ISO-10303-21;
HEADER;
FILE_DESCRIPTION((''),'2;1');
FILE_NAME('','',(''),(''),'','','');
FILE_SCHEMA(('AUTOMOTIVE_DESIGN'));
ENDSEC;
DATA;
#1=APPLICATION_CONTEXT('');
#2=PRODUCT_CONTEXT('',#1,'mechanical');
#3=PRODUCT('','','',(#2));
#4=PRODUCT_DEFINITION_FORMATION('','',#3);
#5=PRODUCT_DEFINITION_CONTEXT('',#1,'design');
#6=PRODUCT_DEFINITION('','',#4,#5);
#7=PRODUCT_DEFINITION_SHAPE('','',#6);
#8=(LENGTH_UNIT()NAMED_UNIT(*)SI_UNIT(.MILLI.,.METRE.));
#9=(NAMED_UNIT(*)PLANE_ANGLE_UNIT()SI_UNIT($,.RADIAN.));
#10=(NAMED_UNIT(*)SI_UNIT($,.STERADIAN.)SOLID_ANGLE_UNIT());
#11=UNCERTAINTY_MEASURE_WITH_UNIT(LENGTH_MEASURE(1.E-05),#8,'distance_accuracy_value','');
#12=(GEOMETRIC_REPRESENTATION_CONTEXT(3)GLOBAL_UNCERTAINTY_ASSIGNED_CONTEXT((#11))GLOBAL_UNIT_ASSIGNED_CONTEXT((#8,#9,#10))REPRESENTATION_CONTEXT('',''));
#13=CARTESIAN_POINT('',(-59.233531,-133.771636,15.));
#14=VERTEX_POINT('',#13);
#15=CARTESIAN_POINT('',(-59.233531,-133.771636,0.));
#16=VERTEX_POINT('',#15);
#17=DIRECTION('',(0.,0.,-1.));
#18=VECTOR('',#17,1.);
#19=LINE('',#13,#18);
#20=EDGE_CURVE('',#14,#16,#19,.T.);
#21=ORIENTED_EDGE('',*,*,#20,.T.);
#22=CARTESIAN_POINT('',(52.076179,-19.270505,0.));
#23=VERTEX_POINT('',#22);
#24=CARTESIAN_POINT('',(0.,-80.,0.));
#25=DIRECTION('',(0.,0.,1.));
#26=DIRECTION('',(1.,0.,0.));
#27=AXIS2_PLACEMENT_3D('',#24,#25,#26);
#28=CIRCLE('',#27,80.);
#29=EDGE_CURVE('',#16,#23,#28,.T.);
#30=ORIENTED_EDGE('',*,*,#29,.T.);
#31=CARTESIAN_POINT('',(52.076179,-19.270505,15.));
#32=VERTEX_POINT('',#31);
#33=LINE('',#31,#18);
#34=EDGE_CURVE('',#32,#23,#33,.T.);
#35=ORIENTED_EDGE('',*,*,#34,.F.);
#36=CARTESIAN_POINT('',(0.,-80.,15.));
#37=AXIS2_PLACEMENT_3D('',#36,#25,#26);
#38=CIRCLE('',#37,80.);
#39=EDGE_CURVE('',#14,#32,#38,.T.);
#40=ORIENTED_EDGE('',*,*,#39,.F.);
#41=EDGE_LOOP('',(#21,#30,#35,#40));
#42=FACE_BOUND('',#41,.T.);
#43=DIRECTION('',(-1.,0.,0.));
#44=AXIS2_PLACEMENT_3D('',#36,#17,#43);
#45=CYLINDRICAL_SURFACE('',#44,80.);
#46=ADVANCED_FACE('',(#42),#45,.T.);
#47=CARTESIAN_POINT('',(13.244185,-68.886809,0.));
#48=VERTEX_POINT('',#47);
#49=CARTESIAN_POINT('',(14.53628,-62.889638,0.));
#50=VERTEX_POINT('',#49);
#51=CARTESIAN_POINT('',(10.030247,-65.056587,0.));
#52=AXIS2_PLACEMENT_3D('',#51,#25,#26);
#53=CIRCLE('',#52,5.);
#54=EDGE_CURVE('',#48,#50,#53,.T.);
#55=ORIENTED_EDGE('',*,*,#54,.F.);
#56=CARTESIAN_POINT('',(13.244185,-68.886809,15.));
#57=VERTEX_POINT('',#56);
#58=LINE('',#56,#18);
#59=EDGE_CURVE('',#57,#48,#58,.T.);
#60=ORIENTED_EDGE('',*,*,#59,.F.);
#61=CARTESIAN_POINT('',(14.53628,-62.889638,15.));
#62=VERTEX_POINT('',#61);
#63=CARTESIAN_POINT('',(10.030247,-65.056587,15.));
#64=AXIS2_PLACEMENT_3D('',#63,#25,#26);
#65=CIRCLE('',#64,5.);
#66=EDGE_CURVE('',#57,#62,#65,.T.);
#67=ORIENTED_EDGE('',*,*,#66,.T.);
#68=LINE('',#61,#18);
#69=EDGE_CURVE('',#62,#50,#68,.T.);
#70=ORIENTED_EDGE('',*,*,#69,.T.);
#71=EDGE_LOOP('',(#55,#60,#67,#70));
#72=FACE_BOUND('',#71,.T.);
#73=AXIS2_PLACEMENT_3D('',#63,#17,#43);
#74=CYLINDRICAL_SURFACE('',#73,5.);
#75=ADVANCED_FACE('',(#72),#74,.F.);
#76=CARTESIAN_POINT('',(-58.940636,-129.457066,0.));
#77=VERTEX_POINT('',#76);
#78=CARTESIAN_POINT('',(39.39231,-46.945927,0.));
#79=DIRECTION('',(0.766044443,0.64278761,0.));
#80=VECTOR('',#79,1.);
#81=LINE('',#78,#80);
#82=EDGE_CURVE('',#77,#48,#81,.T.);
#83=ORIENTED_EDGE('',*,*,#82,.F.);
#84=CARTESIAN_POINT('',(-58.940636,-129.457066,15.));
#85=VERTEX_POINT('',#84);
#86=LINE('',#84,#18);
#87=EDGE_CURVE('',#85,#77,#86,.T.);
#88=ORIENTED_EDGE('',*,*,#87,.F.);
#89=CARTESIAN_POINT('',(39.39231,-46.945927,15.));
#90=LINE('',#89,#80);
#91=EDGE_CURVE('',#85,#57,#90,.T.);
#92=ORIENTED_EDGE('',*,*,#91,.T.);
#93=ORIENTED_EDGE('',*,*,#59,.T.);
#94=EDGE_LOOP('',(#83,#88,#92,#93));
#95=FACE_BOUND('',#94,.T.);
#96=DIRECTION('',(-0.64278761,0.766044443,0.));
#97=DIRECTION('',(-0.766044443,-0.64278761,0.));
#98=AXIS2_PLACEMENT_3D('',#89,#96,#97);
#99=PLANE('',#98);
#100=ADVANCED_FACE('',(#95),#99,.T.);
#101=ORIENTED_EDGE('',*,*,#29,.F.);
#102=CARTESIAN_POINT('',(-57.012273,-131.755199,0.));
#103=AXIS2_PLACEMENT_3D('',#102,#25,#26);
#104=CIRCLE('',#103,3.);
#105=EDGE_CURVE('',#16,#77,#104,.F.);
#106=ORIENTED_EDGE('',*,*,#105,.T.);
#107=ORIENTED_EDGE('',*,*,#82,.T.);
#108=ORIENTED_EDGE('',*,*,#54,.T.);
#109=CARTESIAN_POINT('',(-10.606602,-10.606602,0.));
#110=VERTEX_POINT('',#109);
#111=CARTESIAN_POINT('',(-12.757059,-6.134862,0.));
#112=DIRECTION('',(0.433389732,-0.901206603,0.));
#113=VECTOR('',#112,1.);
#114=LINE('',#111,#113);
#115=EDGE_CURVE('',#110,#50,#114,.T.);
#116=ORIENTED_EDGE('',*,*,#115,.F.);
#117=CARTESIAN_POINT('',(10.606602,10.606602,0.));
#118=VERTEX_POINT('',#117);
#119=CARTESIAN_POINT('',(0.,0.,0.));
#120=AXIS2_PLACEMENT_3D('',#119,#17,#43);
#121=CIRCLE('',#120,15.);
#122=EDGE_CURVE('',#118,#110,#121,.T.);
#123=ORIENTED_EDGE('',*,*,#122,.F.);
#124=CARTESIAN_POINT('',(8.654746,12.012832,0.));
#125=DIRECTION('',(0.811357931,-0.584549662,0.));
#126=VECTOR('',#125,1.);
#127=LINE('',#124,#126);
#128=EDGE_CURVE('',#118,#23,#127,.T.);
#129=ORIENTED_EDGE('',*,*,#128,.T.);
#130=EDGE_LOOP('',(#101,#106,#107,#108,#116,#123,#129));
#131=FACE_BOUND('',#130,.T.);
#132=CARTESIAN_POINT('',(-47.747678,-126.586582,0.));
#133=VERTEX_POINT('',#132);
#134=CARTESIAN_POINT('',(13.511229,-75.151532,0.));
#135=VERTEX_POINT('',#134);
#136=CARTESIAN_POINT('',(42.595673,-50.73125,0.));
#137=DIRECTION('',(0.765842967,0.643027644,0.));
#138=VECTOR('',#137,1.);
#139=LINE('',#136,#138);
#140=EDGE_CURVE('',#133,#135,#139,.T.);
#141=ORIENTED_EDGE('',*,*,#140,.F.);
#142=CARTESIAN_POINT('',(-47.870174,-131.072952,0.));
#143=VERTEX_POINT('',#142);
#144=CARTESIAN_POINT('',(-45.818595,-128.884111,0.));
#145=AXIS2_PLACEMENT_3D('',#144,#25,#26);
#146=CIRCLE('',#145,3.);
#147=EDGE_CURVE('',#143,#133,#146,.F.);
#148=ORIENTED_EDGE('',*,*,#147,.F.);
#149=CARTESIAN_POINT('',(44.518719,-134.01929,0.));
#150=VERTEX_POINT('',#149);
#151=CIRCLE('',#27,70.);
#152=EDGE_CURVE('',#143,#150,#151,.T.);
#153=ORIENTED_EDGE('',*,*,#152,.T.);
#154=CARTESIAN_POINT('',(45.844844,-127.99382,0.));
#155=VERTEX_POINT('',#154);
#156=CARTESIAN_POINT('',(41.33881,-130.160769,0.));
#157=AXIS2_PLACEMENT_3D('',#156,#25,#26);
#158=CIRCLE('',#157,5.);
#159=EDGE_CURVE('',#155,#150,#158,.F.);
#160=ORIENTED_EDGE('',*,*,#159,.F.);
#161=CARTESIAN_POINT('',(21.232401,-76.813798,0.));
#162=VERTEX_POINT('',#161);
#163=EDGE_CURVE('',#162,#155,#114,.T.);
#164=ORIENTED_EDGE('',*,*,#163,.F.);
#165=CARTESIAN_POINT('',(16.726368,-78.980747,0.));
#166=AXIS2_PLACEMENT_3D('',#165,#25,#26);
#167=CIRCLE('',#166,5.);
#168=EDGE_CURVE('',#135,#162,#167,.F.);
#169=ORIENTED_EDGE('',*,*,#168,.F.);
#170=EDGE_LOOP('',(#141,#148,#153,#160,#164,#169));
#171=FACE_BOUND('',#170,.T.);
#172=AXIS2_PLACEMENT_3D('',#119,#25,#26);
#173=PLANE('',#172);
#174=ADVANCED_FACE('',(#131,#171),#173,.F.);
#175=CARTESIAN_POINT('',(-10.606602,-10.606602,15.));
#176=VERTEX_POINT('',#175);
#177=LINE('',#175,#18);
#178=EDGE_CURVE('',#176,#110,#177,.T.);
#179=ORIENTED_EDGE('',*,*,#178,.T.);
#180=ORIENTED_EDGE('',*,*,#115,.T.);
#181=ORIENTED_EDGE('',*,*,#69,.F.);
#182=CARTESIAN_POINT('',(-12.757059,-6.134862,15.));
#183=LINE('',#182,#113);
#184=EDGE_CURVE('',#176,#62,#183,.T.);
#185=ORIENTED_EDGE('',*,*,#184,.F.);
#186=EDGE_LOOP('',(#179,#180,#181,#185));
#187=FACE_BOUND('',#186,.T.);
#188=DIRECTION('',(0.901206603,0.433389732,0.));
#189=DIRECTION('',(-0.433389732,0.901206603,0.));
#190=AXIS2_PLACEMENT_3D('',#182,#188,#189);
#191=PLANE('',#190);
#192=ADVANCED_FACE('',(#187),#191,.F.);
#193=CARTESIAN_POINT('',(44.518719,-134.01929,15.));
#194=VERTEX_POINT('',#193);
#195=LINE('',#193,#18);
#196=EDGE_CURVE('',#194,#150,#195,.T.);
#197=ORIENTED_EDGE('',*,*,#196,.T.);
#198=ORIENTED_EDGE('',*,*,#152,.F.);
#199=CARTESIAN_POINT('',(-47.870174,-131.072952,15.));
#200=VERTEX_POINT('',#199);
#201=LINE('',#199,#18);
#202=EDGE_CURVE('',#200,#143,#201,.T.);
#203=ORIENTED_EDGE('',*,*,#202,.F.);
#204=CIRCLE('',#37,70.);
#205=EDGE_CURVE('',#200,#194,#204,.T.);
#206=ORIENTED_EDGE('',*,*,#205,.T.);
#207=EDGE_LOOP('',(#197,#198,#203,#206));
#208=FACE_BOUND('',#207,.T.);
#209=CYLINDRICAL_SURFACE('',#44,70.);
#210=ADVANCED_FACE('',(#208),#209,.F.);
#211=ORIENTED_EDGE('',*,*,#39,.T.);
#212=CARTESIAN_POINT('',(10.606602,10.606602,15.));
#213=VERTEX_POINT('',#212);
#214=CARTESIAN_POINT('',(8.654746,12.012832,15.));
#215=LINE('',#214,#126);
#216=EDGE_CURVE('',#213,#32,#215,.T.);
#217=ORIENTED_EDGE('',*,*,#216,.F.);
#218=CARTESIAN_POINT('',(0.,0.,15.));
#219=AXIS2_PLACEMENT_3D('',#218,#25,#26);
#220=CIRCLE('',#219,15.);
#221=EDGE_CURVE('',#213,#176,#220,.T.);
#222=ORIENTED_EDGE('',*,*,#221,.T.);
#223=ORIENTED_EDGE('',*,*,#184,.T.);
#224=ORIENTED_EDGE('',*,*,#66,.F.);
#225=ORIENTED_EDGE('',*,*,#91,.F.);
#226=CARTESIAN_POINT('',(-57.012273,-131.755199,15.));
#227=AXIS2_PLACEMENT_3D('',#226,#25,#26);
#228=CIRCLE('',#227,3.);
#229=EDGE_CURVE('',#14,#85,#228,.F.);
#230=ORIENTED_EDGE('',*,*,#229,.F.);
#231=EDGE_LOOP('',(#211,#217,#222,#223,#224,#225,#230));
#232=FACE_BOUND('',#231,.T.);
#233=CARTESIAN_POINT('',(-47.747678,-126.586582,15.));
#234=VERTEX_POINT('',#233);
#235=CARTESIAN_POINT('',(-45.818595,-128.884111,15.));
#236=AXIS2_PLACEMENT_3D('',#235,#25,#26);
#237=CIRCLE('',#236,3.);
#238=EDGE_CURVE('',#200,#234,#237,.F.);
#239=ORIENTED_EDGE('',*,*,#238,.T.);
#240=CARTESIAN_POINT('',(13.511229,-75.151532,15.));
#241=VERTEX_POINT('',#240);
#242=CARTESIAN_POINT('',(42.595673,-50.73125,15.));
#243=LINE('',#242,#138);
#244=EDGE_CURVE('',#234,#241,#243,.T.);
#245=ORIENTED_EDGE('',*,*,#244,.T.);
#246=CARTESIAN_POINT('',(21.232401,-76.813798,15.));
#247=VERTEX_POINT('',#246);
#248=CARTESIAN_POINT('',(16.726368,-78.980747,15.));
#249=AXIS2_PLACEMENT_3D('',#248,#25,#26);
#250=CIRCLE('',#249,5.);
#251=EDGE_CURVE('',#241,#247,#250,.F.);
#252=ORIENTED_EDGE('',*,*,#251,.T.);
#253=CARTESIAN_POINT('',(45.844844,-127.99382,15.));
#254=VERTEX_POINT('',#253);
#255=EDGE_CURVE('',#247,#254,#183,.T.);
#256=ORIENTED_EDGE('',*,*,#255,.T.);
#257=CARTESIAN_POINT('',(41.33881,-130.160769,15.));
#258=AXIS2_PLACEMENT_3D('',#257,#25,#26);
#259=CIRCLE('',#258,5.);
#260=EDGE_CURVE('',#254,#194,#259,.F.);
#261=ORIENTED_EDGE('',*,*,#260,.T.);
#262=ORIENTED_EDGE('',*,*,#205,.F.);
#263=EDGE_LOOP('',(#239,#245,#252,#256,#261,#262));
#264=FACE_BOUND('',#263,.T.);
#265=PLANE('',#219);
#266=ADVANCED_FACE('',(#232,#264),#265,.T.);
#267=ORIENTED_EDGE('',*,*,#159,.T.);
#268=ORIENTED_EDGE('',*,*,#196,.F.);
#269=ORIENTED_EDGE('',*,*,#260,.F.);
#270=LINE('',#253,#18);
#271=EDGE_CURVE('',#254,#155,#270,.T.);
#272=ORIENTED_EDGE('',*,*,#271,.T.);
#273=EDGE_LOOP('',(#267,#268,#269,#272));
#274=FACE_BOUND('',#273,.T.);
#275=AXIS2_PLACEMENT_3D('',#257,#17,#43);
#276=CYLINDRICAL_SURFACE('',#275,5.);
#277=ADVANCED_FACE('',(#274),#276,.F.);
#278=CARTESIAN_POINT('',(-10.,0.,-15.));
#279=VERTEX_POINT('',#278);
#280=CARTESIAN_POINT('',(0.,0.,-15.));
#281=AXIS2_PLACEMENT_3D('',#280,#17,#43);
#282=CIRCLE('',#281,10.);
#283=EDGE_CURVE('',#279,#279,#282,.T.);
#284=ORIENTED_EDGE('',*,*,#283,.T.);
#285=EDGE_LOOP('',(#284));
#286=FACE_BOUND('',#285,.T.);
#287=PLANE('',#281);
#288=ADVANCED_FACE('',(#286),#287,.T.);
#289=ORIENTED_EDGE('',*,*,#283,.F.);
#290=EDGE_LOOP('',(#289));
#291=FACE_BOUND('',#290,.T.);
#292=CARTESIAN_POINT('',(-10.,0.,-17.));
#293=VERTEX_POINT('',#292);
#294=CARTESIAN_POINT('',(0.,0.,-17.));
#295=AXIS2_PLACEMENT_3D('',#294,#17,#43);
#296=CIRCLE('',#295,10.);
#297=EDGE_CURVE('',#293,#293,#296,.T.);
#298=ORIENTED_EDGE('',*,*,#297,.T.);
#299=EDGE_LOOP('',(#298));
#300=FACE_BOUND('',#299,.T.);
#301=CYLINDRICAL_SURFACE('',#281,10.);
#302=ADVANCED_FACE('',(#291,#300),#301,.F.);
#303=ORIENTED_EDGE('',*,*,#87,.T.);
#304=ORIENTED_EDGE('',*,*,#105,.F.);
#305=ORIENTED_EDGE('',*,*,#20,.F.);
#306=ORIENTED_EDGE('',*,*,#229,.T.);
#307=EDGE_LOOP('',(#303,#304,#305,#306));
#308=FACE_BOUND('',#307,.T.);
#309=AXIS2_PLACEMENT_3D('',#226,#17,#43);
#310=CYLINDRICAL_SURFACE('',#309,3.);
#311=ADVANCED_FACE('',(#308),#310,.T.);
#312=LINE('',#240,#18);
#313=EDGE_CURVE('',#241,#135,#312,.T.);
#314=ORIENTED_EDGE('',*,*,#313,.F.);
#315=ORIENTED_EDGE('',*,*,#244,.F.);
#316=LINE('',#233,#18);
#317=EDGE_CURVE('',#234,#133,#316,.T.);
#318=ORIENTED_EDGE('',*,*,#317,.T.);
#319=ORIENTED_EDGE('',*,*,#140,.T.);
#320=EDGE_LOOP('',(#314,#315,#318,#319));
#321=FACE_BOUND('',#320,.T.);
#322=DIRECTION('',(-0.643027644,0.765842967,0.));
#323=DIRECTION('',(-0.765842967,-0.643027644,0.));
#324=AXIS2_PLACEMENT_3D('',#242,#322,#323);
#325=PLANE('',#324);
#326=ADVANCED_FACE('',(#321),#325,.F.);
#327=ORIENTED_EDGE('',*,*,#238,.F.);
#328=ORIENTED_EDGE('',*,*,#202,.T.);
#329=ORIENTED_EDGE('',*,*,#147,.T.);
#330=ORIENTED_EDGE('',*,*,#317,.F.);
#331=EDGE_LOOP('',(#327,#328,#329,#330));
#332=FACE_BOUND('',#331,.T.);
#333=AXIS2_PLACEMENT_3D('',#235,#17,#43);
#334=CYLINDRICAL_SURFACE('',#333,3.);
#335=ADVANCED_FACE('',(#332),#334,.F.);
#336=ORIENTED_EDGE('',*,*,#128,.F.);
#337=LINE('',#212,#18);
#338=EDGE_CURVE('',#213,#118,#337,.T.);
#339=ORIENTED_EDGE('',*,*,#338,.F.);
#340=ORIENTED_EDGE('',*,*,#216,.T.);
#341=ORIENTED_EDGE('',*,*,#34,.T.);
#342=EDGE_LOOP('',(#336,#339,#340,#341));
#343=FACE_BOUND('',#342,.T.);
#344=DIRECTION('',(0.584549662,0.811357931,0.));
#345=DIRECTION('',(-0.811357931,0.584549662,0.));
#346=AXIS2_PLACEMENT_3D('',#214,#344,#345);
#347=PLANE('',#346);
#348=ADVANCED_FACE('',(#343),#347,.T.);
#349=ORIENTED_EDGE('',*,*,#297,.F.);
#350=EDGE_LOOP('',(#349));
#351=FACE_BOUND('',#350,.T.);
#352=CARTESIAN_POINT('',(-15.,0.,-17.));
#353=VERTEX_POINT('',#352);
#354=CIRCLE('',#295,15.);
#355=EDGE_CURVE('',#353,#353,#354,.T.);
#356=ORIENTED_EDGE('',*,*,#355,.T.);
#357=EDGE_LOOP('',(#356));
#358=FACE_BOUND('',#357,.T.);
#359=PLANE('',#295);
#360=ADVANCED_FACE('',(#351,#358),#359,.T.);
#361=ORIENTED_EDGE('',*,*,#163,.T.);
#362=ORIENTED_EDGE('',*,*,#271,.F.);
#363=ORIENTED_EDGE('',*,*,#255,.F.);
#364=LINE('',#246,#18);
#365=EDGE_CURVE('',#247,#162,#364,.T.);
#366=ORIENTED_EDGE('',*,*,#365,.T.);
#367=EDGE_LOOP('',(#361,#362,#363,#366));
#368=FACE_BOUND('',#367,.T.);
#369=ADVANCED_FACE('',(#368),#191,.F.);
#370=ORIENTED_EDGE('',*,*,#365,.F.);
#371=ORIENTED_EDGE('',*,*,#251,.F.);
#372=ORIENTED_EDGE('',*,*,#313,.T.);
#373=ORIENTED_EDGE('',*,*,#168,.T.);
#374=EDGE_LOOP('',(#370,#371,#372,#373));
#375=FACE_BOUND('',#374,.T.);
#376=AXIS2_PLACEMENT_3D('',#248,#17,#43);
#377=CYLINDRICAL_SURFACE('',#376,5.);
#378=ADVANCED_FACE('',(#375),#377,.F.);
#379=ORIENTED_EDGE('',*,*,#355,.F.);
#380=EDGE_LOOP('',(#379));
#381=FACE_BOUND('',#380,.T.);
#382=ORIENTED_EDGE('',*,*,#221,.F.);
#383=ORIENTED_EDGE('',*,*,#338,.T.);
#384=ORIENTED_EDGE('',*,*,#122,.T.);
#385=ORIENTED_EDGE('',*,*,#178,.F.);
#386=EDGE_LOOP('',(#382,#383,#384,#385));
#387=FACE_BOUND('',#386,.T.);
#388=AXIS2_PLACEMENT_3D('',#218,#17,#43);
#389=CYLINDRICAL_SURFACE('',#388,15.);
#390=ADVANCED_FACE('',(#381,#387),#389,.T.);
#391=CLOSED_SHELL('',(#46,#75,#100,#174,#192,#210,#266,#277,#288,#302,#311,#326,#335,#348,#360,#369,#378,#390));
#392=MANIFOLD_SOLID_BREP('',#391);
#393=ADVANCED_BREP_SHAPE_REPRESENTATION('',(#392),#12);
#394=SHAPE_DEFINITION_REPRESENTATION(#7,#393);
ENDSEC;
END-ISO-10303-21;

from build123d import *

# Parameters (mm, degrees)
EXTRUDE_1_DEPTH     = 15
EXTRUDE_START       = 17
SKETCH_9_R          = 15
EXTRUDE_3_DEPTH     = 17
SKETCH_10_R         = 10
CUT_EXTRUDE_4_DEPTH = 2


with BuildPart() as part:
    # ｽｹｯﾁ4 → ﾎﾞｽ - 押し出し1 (new body)
    with BuildSketch(Plane.XY):
        with BuildLine():
            Line((-53.623111018, -124.995132678), (-58.940636287, -129.45706617))
            ThreePointArc((-58.940636287, -129.45706617), (-60.005384698, -131.552012131), (-59.233530865, -133.771635843))
            ThreePointArc((-59.233530865, -133.771635843), (57.362306223, -135.763481103), (52.076178918, -19.270504783))
            Line((52.076178918, -19.270504783), (10.606601718, 10.606601718))
            ThreePointArc((10.606601718, 10.606601718), (-10.606601718, 10.606601718), (-10.606601718, -10.606601718))
            Line((-10.606601718, -10.606601718), (14.536280154, -62.889638219))
            ThreePointArc((14.536280154, -62.889638219), (14.918089499, -66.109676181), (13.244185189, -68.886809092))
            Line((13.244185189, -68.886809092), (-53.623111018, -124.995132678))
        make_face()
        with BuildLine():
            Line((21.232400696, -76.813798404), (45.844843506, -127.993820346))
            ThreePointArc((45.844843506, -127.993820346), (46.221944165, -131.235480845), (44.518718993, -134.019289696))
            ThreePointArc((44.518718993, -134.019289696), (-2.231208213, -149.964431749), (-47.870174388, -131.072951785))
            ThreePointArc((-47.870174388, -131.072951785), (-48.817477846, -128.802229421), (-47.747678417, -126.586582094))
            Line((-47.747678417, -126.586582094), (13.511229465, -75.151532228))
            ThreePointArc((13.511229465, -75.151532228), (17.77869109, -74.092739753), (21.232400696, -76.813798404))
        make_face(mode=Mode.SUBTRACT)
    extrude(amount=EXTRUDE_1_DEPTH)

    # ｽｹｯﾁ9 → ﾎﾞｽ - 押し出し3 (add)
    with BuildSketch(Plane(origin=(0, 0, 0), x_dir=(-1, 0, 0), z_dir=(0, 0, -1)).offset(EXTRUDE_START)):
        Circle(SKETCH_9_R)
    extrude(amount=-EXTRUDE_3_DEPTH)

    # ｽｹｯﾁ10 → ｶｯﾄ - 押し出し4 (cut)
    with BuildSketch(Plane(origin=(0, 0, -17), x_dir=(-1, 0, 0), z_dir=(0, 0, -1))):
        Circle(SKETCH_10_R)
    extrude(amount=-CUT_EXTRUDE_4_DEPTH, mode=Mode.SUBTRACT)


solid = part.part
